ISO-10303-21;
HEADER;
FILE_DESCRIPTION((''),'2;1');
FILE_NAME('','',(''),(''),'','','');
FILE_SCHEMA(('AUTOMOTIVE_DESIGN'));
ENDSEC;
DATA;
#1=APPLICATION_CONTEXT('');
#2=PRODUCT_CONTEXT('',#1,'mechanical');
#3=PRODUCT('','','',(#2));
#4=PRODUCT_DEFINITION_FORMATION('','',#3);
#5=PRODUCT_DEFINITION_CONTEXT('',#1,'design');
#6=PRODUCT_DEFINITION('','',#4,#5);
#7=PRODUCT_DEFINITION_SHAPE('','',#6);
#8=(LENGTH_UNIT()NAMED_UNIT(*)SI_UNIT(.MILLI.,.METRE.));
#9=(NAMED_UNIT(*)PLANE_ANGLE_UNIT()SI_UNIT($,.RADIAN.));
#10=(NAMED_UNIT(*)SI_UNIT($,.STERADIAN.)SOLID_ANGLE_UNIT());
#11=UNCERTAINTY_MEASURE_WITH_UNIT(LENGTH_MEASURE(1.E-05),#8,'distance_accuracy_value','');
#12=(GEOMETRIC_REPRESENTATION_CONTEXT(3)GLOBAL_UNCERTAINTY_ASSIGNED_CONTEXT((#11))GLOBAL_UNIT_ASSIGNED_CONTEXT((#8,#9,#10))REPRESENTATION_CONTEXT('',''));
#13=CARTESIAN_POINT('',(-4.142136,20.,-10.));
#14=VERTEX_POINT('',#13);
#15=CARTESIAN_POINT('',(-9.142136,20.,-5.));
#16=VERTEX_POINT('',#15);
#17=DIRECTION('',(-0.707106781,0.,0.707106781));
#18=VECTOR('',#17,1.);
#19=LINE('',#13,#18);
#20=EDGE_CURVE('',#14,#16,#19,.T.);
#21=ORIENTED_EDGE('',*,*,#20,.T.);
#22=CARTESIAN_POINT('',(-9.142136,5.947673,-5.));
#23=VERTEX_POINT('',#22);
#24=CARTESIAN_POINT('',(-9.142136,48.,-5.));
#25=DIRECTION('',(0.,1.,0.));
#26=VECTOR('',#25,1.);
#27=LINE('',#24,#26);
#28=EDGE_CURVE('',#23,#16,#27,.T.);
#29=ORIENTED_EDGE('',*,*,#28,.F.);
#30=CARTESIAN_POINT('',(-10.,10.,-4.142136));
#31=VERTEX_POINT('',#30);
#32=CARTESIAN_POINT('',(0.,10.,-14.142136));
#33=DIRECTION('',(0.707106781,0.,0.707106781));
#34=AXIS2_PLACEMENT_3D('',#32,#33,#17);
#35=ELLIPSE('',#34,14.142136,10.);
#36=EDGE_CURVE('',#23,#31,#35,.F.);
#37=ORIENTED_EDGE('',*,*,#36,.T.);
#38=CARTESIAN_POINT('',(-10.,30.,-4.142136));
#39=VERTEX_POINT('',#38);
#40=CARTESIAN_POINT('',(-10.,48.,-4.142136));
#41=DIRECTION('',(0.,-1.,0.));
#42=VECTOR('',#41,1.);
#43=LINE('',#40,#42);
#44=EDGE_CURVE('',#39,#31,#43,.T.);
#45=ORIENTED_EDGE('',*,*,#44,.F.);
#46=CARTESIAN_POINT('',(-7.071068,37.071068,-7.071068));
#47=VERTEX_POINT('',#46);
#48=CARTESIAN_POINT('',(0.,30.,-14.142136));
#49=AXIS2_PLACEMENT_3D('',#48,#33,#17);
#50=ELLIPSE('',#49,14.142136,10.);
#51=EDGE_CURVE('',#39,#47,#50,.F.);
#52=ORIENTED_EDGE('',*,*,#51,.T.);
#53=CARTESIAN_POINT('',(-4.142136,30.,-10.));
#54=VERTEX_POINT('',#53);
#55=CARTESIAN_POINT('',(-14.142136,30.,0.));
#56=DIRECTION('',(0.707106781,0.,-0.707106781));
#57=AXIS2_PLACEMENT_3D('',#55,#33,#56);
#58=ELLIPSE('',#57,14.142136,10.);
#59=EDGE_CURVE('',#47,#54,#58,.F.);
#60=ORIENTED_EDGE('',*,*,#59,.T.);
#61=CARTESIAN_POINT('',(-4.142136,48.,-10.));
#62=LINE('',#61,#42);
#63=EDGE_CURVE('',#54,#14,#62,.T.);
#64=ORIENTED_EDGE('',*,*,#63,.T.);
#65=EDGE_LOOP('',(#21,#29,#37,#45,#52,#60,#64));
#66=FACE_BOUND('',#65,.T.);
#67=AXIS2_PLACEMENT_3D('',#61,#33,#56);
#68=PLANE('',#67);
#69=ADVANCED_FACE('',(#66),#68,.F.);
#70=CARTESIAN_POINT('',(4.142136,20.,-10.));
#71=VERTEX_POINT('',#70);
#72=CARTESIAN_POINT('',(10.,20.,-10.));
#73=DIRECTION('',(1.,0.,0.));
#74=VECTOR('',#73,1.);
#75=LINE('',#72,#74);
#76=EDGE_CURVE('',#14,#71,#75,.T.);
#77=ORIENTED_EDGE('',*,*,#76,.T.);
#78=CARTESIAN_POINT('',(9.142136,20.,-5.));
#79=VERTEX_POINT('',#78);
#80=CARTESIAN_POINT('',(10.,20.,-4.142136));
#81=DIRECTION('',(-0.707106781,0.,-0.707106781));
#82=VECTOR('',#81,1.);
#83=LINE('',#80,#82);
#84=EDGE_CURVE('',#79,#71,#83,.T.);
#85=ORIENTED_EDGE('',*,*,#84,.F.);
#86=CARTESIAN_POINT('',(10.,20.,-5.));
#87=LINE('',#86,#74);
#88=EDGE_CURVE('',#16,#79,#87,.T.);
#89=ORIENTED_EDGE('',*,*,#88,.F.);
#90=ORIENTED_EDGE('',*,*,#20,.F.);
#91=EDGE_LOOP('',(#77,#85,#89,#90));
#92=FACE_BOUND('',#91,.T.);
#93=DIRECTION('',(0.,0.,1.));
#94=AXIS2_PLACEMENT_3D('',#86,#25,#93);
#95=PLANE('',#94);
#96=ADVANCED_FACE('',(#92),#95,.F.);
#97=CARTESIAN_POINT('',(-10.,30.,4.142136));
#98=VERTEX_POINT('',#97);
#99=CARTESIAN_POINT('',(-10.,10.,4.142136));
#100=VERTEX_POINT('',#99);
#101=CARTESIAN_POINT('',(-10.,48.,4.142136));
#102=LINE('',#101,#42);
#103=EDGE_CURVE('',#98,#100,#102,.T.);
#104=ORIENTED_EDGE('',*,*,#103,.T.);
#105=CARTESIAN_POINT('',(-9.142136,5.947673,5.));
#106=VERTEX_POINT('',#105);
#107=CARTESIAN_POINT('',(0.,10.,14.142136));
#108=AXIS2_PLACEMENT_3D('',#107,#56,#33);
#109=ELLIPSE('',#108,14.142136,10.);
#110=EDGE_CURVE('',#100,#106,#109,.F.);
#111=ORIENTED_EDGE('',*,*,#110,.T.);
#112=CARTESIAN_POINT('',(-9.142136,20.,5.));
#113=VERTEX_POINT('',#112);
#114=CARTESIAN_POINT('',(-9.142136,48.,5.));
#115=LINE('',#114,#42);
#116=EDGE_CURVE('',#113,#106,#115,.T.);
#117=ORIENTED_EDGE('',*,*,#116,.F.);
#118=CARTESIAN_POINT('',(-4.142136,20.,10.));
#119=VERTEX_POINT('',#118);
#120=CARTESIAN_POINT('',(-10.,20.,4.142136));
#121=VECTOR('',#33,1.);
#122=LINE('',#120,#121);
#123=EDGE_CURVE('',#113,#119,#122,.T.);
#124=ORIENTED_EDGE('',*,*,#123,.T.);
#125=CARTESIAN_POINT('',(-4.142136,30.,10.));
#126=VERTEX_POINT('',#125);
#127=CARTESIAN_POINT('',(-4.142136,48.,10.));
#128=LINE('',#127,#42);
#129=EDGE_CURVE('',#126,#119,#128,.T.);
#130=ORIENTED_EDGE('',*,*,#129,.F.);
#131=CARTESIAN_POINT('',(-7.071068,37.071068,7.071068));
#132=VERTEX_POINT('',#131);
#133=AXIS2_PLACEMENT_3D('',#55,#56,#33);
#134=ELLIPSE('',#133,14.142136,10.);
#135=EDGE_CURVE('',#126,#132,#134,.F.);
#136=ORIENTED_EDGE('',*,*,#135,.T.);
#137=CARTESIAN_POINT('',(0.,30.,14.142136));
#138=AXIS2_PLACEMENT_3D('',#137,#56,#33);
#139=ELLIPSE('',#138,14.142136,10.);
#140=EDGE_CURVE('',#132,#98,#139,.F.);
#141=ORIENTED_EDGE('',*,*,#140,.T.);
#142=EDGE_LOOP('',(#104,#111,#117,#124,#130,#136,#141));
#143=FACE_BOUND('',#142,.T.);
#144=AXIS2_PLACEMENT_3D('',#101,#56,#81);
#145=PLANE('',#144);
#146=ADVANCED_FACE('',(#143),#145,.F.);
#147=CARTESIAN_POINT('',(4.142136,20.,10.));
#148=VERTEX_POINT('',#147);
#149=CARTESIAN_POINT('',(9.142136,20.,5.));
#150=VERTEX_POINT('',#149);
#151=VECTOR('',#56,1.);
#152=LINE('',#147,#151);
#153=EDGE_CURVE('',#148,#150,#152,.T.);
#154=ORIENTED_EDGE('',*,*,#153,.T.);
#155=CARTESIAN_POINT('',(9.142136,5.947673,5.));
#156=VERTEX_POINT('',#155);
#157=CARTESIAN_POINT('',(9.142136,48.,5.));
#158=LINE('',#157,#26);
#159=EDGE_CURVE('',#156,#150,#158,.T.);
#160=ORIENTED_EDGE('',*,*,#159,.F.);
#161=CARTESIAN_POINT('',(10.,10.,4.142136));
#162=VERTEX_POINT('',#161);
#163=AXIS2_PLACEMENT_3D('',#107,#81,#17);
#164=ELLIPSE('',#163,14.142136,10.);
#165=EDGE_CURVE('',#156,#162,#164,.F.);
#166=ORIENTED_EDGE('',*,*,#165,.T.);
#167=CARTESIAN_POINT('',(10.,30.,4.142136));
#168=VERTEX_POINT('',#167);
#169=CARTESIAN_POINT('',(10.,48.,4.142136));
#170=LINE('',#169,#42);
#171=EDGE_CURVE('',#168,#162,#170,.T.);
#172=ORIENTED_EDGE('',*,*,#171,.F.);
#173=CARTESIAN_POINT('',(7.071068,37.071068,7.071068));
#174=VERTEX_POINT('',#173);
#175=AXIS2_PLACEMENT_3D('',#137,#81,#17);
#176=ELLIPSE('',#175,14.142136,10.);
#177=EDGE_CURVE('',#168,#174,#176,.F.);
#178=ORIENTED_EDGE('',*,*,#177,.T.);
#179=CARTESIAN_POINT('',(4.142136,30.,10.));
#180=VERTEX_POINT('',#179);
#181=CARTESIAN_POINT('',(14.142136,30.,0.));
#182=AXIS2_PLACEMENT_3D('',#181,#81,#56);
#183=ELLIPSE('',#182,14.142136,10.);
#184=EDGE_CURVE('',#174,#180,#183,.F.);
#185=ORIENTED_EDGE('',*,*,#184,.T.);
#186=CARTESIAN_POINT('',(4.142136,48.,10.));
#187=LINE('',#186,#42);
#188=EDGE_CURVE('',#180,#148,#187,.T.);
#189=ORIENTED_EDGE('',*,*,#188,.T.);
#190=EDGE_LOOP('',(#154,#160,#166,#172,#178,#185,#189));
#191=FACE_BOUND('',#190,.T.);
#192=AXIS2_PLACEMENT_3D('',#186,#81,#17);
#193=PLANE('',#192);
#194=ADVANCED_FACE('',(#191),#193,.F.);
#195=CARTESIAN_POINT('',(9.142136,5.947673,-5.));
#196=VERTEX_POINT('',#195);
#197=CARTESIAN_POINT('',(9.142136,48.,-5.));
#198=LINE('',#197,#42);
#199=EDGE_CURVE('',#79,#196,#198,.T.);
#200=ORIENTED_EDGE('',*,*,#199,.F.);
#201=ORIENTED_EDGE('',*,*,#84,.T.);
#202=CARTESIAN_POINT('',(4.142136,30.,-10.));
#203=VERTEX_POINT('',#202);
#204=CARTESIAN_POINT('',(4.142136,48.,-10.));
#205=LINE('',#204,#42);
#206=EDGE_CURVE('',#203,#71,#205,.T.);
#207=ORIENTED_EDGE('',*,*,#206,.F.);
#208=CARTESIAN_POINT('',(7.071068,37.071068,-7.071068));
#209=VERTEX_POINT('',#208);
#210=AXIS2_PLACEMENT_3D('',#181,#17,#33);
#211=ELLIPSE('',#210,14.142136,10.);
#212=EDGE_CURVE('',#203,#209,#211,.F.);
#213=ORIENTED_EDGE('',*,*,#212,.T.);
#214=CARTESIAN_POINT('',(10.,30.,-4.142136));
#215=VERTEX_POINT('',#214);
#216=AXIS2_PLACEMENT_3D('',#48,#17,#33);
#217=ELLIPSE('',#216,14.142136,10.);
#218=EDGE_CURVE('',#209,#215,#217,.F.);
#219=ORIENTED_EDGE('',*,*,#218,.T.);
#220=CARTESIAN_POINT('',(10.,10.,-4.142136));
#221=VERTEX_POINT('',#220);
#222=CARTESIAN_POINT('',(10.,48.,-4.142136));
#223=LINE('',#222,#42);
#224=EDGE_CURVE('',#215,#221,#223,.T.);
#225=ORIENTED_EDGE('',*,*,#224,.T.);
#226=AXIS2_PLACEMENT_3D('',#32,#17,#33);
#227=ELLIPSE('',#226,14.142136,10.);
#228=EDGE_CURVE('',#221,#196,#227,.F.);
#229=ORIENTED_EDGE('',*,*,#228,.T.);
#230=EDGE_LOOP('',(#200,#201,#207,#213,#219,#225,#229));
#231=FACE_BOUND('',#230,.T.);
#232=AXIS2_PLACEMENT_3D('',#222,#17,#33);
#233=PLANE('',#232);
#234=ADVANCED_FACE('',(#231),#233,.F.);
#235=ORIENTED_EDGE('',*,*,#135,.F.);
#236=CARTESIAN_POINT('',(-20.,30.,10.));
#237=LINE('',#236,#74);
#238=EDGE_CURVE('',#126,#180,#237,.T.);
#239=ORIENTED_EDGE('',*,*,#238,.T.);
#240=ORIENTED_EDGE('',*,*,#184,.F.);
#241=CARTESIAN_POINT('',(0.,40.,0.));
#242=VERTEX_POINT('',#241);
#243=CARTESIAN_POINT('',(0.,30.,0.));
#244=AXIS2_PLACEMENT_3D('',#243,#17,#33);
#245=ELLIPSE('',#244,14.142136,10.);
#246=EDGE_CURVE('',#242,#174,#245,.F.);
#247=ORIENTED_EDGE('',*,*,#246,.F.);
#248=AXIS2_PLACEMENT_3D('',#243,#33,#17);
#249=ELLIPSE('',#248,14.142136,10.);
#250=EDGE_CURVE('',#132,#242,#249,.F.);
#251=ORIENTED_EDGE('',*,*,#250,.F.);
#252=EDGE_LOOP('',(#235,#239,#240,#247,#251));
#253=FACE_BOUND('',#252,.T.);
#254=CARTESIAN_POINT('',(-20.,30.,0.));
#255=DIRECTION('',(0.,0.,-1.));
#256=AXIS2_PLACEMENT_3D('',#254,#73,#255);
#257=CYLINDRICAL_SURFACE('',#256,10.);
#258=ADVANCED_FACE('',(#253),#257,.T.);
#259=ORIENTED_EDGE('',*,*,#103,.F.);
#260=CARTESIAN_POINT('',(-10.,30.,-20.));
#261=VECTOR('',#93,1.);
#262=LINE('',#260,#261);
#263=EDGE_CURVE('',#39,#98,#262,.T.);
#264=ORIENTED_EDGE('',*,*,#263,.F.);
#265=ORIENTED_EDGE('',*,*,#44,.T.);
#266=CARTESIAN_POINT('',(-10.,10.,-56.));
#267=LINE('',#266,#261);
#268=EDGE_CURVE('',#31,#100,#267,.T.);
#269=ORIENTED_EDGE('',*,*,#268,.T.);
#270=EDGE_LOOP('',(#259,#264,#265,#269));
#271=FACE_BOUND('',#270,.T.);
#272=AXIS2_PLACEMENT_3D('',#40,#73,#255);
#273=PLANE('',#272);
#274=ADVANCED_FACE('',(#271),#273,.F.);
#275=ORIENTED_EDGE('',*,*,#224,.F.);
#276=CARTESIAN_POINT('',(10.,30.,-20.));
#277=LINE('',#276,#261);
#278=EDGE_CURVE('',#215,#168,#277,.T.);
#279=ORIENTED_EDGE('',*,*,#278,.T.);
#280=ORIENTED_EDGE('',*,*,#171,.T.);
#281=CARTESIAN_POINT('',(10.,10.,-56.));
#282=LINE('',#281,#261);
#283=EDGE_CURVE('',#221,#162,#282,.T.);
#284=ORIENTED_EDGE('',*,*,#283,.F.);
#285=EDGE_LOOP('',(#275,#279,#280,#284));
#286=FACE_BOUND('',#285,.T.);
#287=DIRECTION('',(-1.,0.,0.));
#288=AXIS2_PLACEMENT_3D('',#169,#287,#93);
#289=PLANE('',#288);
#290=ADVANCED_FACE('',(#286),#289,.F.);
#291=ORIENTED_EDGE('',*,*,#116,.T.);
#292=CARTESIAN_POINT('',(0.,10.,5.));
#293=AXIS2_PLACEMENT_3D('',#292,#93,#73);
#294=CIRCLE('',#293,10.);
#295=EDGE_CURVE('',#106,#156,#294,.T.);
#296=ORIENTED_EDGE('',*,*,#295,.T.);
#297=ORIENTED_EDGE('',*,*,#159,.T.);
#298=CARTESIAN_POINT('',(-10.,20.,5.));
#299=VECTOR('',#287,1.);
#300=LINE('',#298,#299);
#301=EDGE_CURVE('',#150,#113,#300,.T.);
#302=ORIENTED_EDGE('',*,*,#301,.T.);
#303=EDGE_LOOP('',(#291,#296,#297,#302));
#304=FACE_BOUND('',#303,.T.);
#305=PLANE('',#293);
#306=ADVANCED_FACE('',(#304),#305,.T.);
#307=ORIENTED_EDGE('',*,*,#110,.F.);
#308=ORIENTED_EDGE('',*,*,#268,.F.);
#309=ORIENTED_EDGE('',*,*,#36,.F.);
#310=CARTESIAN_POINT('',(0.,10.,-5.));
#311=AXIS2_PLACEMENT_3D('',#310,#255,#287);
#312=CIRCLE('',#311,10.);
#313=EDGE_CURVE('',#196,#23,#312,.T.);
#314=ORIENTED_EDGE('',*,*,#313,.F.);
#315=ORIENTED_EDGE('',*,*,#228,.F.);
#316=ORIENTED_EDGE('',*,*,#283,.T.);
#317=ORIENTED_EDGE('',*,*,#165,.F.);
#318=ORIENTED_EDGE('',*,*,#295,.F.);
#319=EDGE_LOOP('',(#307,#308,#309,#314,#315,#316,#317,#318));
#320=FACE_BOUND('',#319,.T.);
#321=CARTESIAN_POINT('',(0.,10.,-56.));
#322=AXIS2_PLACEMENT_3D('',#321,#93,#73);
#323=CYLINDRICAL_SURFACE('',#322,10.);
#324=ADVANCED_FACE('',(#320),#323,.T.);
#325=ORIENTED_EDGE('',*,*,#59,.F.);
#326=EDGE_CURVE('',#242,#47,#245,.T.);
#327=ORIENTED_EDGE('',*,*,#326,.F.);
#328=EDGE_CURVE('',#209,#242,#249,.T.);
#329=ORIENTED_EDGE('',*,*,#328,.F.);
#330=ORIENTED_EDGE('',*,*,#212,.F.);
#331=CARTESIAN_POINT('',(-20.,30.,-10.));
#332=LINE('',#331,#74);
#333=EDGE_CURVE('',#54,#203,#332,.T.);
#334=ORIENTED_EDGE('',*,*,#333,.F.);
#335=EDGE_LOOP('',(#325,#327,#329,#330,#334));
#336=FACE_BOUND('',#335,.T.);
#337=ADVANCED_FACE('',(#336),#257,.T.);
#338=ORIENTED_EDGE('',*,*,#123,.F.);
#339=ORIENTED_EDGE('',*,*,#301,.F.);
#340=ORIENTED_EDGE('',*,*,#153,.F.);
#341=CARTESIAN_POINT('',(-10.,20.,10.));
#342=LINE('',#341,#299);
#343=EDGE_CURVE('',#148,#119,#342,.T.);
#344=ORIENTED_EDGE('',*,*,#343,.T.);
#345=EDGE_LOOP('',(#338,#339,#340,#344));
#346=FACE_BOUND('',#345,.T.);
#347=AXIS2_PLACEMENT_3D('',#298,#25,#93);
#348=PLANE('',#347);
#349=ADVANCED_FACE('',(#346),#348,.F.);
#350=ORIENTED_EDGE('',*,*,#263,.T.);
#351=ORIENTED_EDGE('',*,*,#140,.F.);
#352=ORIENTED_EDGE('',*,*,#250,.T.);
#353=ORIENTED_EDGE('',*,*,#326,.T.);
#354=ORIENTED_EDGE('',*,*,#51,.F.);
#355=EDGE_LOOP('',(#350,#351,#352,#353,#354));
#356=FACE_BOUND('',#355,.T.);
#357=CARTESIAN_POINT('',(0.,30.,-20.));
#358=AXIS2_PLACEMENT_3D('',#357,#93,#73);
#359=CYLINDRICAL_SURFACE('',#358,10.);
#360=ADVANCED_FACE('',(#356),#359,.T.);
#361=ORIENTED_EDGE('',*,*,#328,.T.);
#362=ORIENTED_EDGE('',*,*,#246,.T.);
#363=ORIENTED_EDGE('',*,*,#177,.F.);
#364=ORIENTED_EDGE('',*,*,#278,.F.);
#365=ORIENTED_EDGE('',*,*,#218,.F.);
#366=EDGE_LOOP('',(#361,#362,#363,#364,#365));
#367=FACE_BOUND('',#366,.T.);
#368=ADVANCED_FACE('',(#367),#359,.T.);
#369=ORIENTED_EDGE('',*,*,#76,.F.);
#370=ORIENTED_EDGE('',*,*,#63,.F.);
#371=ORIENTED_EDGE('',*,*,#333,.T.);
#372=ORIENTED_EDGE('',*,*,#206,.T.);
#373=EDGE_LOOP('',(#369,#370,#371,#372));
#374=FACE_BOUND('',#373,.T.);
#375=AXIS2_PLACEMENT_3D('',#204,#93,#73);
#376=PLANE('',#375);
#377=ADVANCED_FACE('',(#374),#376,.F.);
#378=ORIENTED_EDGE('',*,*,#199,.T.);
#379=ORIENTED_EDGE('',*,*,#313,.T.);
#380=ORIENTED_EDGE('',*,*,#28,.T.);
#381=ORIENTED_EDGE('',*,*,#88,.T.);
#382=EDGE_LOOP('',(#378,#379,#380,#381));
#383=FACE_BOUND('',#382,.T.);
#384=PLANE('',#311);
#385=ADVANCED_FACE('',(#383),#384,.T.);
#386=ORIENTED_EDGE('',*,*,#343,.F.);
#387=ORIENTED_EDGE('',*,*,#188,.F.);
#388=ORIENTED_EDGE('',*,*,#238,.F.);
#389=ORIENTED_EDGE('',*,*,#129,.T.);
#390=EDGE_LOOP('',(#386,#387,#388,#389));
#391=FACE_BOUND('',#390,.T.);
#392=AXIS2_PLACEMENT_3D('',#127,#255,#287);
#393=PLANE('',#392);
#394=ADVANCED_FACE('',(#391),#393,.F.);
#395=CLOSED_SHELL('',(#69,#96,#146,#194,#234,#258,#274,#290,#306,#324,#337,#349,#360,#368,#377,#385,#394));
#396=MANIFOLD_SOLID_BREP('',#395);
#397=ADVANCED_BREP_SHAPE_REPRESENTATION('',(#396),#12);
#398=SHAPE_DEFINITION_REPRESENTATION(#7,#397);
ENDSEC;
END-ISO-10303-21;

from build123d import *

# Parameters (mm, degrees)
EXTRUDE_1_DEPTH     = 48
CUT_EXTRUDE_1_DEPTH = 66
CUT_EXTRUDE_2_DEPTH = 5
CUT_EXTRUDE_START   = -5
CUT_EXTRUDE_3_DEPTH = 5
CUT_EXTRUDE_5_DEPTH = 30
CUT_EXTRUDE_6_DEPTH = 30


with BuildPart() as part:
    # 草图1 → 凸台-拉伸1 (new body)
    with BuildSketch(Plane(origin=(0, 0, 0), x_dir=(1, 0, 0), z_dir=(0, 1, 0))):
        Polygon((10, 4.142135624), (4.142135624, 10), (-4.142135624, 10), (-10, 4.142135624), (-10, -4.142135624), (-4.142135624, -10), (4.142135624, -10), (10, -4.142135624), align=None)
    extrude(amount=EXTRUDE_1_DEPTH)

    # 草图2 → 切除-拉伸1 (cut)
    with BuildSketch(Plane.XY.offset(10)):
        with BuildLine():
            Line((-10, 10), (-10, -2.389295552))
            Line((-10, -2.389295552), (10, -2.389295552))
            Line((10, -2.389295552), (10, 10))
            ThreePointArc((10, 10), (0, 0), (-10, 10))
        make_face()
    extrude(amount=-CUT_EXTRUDE_1_DEPTH, mode=Mode.SUBTRACT)

    # 草图4 → 切除-拉伸2 (cut)
    with BuildSketch(Plane.XY.offset(10)):
        with BuildLine():
            Line((-10, 10), (-10, 20))
            Line((-10, 20), (10, 20))
            Line((10, 20), (10, 10))
            ThreePointArc((10, 10), (0, 0), (-10, 10))
        make_face()
    extrude(amount=-CUT_EXTRUDE_2_DEPTH, mode=Mode.SUBTRACT)

    # 草图5 → 切除-拉伸3 (cut)
    with BuildSketch(Plane(origin=(0, 0, -10), x_dir=(-1, 0, 0), z_dir=(0, 0, -1)).offset(CUT_EXTRUDE_START)):
        with BuildLine():
            Line((-10, 10), (-10, 20))
            Line((-10, 20), (10, 20))
            Line((10, 20), (10, 10))
            ThreePointArc((10, 10), (0, 0), (-10, 10))
        make_face()
    extrude(amount=CUT_EXTRUDE_3_DEPTH, mode=Mode.SUBTRACT)

    # 草图7 → 切除-拉伸5 (cut)
    with BuildSketch(Plane.XY.offset(10)):
        with BuildLine():
            Line((-10, 30), (-10, 50.94058397))
            Line((-10, 50.94058397), (10, 50.94058397))
            Line((10, 50.94058397), (10, 30))
            ThreePointArc((10, 30), (0, 40), (-10, 30))
        make_face()
    extrude(amount=-CUT_EXTRUDE_5_DEPTH, mode=Mode.SUBTRACT)

    # 草图8 → 切除-拉伸6 (cut)
    with BuildSketch(Plane(origin=(10, 0, 0), x_dir=(0, 0, -1), z_dir=(1, 0, 0))):
        with BuildLine():
            Line((-10, 30), (-10, 44.07560735))
            Line((-10, 44.07560735), (10, 44.07560735))
            Line((10, 44.07560735), (10, 30))
            ThreePointArc((10, 30), (0, 40), (-10, 30))
        make_face()
    extrude(amount=-CUT_EXTRUDE_6_DEPTH, mode=Mode.SUBTRACT)


solid = part.part
